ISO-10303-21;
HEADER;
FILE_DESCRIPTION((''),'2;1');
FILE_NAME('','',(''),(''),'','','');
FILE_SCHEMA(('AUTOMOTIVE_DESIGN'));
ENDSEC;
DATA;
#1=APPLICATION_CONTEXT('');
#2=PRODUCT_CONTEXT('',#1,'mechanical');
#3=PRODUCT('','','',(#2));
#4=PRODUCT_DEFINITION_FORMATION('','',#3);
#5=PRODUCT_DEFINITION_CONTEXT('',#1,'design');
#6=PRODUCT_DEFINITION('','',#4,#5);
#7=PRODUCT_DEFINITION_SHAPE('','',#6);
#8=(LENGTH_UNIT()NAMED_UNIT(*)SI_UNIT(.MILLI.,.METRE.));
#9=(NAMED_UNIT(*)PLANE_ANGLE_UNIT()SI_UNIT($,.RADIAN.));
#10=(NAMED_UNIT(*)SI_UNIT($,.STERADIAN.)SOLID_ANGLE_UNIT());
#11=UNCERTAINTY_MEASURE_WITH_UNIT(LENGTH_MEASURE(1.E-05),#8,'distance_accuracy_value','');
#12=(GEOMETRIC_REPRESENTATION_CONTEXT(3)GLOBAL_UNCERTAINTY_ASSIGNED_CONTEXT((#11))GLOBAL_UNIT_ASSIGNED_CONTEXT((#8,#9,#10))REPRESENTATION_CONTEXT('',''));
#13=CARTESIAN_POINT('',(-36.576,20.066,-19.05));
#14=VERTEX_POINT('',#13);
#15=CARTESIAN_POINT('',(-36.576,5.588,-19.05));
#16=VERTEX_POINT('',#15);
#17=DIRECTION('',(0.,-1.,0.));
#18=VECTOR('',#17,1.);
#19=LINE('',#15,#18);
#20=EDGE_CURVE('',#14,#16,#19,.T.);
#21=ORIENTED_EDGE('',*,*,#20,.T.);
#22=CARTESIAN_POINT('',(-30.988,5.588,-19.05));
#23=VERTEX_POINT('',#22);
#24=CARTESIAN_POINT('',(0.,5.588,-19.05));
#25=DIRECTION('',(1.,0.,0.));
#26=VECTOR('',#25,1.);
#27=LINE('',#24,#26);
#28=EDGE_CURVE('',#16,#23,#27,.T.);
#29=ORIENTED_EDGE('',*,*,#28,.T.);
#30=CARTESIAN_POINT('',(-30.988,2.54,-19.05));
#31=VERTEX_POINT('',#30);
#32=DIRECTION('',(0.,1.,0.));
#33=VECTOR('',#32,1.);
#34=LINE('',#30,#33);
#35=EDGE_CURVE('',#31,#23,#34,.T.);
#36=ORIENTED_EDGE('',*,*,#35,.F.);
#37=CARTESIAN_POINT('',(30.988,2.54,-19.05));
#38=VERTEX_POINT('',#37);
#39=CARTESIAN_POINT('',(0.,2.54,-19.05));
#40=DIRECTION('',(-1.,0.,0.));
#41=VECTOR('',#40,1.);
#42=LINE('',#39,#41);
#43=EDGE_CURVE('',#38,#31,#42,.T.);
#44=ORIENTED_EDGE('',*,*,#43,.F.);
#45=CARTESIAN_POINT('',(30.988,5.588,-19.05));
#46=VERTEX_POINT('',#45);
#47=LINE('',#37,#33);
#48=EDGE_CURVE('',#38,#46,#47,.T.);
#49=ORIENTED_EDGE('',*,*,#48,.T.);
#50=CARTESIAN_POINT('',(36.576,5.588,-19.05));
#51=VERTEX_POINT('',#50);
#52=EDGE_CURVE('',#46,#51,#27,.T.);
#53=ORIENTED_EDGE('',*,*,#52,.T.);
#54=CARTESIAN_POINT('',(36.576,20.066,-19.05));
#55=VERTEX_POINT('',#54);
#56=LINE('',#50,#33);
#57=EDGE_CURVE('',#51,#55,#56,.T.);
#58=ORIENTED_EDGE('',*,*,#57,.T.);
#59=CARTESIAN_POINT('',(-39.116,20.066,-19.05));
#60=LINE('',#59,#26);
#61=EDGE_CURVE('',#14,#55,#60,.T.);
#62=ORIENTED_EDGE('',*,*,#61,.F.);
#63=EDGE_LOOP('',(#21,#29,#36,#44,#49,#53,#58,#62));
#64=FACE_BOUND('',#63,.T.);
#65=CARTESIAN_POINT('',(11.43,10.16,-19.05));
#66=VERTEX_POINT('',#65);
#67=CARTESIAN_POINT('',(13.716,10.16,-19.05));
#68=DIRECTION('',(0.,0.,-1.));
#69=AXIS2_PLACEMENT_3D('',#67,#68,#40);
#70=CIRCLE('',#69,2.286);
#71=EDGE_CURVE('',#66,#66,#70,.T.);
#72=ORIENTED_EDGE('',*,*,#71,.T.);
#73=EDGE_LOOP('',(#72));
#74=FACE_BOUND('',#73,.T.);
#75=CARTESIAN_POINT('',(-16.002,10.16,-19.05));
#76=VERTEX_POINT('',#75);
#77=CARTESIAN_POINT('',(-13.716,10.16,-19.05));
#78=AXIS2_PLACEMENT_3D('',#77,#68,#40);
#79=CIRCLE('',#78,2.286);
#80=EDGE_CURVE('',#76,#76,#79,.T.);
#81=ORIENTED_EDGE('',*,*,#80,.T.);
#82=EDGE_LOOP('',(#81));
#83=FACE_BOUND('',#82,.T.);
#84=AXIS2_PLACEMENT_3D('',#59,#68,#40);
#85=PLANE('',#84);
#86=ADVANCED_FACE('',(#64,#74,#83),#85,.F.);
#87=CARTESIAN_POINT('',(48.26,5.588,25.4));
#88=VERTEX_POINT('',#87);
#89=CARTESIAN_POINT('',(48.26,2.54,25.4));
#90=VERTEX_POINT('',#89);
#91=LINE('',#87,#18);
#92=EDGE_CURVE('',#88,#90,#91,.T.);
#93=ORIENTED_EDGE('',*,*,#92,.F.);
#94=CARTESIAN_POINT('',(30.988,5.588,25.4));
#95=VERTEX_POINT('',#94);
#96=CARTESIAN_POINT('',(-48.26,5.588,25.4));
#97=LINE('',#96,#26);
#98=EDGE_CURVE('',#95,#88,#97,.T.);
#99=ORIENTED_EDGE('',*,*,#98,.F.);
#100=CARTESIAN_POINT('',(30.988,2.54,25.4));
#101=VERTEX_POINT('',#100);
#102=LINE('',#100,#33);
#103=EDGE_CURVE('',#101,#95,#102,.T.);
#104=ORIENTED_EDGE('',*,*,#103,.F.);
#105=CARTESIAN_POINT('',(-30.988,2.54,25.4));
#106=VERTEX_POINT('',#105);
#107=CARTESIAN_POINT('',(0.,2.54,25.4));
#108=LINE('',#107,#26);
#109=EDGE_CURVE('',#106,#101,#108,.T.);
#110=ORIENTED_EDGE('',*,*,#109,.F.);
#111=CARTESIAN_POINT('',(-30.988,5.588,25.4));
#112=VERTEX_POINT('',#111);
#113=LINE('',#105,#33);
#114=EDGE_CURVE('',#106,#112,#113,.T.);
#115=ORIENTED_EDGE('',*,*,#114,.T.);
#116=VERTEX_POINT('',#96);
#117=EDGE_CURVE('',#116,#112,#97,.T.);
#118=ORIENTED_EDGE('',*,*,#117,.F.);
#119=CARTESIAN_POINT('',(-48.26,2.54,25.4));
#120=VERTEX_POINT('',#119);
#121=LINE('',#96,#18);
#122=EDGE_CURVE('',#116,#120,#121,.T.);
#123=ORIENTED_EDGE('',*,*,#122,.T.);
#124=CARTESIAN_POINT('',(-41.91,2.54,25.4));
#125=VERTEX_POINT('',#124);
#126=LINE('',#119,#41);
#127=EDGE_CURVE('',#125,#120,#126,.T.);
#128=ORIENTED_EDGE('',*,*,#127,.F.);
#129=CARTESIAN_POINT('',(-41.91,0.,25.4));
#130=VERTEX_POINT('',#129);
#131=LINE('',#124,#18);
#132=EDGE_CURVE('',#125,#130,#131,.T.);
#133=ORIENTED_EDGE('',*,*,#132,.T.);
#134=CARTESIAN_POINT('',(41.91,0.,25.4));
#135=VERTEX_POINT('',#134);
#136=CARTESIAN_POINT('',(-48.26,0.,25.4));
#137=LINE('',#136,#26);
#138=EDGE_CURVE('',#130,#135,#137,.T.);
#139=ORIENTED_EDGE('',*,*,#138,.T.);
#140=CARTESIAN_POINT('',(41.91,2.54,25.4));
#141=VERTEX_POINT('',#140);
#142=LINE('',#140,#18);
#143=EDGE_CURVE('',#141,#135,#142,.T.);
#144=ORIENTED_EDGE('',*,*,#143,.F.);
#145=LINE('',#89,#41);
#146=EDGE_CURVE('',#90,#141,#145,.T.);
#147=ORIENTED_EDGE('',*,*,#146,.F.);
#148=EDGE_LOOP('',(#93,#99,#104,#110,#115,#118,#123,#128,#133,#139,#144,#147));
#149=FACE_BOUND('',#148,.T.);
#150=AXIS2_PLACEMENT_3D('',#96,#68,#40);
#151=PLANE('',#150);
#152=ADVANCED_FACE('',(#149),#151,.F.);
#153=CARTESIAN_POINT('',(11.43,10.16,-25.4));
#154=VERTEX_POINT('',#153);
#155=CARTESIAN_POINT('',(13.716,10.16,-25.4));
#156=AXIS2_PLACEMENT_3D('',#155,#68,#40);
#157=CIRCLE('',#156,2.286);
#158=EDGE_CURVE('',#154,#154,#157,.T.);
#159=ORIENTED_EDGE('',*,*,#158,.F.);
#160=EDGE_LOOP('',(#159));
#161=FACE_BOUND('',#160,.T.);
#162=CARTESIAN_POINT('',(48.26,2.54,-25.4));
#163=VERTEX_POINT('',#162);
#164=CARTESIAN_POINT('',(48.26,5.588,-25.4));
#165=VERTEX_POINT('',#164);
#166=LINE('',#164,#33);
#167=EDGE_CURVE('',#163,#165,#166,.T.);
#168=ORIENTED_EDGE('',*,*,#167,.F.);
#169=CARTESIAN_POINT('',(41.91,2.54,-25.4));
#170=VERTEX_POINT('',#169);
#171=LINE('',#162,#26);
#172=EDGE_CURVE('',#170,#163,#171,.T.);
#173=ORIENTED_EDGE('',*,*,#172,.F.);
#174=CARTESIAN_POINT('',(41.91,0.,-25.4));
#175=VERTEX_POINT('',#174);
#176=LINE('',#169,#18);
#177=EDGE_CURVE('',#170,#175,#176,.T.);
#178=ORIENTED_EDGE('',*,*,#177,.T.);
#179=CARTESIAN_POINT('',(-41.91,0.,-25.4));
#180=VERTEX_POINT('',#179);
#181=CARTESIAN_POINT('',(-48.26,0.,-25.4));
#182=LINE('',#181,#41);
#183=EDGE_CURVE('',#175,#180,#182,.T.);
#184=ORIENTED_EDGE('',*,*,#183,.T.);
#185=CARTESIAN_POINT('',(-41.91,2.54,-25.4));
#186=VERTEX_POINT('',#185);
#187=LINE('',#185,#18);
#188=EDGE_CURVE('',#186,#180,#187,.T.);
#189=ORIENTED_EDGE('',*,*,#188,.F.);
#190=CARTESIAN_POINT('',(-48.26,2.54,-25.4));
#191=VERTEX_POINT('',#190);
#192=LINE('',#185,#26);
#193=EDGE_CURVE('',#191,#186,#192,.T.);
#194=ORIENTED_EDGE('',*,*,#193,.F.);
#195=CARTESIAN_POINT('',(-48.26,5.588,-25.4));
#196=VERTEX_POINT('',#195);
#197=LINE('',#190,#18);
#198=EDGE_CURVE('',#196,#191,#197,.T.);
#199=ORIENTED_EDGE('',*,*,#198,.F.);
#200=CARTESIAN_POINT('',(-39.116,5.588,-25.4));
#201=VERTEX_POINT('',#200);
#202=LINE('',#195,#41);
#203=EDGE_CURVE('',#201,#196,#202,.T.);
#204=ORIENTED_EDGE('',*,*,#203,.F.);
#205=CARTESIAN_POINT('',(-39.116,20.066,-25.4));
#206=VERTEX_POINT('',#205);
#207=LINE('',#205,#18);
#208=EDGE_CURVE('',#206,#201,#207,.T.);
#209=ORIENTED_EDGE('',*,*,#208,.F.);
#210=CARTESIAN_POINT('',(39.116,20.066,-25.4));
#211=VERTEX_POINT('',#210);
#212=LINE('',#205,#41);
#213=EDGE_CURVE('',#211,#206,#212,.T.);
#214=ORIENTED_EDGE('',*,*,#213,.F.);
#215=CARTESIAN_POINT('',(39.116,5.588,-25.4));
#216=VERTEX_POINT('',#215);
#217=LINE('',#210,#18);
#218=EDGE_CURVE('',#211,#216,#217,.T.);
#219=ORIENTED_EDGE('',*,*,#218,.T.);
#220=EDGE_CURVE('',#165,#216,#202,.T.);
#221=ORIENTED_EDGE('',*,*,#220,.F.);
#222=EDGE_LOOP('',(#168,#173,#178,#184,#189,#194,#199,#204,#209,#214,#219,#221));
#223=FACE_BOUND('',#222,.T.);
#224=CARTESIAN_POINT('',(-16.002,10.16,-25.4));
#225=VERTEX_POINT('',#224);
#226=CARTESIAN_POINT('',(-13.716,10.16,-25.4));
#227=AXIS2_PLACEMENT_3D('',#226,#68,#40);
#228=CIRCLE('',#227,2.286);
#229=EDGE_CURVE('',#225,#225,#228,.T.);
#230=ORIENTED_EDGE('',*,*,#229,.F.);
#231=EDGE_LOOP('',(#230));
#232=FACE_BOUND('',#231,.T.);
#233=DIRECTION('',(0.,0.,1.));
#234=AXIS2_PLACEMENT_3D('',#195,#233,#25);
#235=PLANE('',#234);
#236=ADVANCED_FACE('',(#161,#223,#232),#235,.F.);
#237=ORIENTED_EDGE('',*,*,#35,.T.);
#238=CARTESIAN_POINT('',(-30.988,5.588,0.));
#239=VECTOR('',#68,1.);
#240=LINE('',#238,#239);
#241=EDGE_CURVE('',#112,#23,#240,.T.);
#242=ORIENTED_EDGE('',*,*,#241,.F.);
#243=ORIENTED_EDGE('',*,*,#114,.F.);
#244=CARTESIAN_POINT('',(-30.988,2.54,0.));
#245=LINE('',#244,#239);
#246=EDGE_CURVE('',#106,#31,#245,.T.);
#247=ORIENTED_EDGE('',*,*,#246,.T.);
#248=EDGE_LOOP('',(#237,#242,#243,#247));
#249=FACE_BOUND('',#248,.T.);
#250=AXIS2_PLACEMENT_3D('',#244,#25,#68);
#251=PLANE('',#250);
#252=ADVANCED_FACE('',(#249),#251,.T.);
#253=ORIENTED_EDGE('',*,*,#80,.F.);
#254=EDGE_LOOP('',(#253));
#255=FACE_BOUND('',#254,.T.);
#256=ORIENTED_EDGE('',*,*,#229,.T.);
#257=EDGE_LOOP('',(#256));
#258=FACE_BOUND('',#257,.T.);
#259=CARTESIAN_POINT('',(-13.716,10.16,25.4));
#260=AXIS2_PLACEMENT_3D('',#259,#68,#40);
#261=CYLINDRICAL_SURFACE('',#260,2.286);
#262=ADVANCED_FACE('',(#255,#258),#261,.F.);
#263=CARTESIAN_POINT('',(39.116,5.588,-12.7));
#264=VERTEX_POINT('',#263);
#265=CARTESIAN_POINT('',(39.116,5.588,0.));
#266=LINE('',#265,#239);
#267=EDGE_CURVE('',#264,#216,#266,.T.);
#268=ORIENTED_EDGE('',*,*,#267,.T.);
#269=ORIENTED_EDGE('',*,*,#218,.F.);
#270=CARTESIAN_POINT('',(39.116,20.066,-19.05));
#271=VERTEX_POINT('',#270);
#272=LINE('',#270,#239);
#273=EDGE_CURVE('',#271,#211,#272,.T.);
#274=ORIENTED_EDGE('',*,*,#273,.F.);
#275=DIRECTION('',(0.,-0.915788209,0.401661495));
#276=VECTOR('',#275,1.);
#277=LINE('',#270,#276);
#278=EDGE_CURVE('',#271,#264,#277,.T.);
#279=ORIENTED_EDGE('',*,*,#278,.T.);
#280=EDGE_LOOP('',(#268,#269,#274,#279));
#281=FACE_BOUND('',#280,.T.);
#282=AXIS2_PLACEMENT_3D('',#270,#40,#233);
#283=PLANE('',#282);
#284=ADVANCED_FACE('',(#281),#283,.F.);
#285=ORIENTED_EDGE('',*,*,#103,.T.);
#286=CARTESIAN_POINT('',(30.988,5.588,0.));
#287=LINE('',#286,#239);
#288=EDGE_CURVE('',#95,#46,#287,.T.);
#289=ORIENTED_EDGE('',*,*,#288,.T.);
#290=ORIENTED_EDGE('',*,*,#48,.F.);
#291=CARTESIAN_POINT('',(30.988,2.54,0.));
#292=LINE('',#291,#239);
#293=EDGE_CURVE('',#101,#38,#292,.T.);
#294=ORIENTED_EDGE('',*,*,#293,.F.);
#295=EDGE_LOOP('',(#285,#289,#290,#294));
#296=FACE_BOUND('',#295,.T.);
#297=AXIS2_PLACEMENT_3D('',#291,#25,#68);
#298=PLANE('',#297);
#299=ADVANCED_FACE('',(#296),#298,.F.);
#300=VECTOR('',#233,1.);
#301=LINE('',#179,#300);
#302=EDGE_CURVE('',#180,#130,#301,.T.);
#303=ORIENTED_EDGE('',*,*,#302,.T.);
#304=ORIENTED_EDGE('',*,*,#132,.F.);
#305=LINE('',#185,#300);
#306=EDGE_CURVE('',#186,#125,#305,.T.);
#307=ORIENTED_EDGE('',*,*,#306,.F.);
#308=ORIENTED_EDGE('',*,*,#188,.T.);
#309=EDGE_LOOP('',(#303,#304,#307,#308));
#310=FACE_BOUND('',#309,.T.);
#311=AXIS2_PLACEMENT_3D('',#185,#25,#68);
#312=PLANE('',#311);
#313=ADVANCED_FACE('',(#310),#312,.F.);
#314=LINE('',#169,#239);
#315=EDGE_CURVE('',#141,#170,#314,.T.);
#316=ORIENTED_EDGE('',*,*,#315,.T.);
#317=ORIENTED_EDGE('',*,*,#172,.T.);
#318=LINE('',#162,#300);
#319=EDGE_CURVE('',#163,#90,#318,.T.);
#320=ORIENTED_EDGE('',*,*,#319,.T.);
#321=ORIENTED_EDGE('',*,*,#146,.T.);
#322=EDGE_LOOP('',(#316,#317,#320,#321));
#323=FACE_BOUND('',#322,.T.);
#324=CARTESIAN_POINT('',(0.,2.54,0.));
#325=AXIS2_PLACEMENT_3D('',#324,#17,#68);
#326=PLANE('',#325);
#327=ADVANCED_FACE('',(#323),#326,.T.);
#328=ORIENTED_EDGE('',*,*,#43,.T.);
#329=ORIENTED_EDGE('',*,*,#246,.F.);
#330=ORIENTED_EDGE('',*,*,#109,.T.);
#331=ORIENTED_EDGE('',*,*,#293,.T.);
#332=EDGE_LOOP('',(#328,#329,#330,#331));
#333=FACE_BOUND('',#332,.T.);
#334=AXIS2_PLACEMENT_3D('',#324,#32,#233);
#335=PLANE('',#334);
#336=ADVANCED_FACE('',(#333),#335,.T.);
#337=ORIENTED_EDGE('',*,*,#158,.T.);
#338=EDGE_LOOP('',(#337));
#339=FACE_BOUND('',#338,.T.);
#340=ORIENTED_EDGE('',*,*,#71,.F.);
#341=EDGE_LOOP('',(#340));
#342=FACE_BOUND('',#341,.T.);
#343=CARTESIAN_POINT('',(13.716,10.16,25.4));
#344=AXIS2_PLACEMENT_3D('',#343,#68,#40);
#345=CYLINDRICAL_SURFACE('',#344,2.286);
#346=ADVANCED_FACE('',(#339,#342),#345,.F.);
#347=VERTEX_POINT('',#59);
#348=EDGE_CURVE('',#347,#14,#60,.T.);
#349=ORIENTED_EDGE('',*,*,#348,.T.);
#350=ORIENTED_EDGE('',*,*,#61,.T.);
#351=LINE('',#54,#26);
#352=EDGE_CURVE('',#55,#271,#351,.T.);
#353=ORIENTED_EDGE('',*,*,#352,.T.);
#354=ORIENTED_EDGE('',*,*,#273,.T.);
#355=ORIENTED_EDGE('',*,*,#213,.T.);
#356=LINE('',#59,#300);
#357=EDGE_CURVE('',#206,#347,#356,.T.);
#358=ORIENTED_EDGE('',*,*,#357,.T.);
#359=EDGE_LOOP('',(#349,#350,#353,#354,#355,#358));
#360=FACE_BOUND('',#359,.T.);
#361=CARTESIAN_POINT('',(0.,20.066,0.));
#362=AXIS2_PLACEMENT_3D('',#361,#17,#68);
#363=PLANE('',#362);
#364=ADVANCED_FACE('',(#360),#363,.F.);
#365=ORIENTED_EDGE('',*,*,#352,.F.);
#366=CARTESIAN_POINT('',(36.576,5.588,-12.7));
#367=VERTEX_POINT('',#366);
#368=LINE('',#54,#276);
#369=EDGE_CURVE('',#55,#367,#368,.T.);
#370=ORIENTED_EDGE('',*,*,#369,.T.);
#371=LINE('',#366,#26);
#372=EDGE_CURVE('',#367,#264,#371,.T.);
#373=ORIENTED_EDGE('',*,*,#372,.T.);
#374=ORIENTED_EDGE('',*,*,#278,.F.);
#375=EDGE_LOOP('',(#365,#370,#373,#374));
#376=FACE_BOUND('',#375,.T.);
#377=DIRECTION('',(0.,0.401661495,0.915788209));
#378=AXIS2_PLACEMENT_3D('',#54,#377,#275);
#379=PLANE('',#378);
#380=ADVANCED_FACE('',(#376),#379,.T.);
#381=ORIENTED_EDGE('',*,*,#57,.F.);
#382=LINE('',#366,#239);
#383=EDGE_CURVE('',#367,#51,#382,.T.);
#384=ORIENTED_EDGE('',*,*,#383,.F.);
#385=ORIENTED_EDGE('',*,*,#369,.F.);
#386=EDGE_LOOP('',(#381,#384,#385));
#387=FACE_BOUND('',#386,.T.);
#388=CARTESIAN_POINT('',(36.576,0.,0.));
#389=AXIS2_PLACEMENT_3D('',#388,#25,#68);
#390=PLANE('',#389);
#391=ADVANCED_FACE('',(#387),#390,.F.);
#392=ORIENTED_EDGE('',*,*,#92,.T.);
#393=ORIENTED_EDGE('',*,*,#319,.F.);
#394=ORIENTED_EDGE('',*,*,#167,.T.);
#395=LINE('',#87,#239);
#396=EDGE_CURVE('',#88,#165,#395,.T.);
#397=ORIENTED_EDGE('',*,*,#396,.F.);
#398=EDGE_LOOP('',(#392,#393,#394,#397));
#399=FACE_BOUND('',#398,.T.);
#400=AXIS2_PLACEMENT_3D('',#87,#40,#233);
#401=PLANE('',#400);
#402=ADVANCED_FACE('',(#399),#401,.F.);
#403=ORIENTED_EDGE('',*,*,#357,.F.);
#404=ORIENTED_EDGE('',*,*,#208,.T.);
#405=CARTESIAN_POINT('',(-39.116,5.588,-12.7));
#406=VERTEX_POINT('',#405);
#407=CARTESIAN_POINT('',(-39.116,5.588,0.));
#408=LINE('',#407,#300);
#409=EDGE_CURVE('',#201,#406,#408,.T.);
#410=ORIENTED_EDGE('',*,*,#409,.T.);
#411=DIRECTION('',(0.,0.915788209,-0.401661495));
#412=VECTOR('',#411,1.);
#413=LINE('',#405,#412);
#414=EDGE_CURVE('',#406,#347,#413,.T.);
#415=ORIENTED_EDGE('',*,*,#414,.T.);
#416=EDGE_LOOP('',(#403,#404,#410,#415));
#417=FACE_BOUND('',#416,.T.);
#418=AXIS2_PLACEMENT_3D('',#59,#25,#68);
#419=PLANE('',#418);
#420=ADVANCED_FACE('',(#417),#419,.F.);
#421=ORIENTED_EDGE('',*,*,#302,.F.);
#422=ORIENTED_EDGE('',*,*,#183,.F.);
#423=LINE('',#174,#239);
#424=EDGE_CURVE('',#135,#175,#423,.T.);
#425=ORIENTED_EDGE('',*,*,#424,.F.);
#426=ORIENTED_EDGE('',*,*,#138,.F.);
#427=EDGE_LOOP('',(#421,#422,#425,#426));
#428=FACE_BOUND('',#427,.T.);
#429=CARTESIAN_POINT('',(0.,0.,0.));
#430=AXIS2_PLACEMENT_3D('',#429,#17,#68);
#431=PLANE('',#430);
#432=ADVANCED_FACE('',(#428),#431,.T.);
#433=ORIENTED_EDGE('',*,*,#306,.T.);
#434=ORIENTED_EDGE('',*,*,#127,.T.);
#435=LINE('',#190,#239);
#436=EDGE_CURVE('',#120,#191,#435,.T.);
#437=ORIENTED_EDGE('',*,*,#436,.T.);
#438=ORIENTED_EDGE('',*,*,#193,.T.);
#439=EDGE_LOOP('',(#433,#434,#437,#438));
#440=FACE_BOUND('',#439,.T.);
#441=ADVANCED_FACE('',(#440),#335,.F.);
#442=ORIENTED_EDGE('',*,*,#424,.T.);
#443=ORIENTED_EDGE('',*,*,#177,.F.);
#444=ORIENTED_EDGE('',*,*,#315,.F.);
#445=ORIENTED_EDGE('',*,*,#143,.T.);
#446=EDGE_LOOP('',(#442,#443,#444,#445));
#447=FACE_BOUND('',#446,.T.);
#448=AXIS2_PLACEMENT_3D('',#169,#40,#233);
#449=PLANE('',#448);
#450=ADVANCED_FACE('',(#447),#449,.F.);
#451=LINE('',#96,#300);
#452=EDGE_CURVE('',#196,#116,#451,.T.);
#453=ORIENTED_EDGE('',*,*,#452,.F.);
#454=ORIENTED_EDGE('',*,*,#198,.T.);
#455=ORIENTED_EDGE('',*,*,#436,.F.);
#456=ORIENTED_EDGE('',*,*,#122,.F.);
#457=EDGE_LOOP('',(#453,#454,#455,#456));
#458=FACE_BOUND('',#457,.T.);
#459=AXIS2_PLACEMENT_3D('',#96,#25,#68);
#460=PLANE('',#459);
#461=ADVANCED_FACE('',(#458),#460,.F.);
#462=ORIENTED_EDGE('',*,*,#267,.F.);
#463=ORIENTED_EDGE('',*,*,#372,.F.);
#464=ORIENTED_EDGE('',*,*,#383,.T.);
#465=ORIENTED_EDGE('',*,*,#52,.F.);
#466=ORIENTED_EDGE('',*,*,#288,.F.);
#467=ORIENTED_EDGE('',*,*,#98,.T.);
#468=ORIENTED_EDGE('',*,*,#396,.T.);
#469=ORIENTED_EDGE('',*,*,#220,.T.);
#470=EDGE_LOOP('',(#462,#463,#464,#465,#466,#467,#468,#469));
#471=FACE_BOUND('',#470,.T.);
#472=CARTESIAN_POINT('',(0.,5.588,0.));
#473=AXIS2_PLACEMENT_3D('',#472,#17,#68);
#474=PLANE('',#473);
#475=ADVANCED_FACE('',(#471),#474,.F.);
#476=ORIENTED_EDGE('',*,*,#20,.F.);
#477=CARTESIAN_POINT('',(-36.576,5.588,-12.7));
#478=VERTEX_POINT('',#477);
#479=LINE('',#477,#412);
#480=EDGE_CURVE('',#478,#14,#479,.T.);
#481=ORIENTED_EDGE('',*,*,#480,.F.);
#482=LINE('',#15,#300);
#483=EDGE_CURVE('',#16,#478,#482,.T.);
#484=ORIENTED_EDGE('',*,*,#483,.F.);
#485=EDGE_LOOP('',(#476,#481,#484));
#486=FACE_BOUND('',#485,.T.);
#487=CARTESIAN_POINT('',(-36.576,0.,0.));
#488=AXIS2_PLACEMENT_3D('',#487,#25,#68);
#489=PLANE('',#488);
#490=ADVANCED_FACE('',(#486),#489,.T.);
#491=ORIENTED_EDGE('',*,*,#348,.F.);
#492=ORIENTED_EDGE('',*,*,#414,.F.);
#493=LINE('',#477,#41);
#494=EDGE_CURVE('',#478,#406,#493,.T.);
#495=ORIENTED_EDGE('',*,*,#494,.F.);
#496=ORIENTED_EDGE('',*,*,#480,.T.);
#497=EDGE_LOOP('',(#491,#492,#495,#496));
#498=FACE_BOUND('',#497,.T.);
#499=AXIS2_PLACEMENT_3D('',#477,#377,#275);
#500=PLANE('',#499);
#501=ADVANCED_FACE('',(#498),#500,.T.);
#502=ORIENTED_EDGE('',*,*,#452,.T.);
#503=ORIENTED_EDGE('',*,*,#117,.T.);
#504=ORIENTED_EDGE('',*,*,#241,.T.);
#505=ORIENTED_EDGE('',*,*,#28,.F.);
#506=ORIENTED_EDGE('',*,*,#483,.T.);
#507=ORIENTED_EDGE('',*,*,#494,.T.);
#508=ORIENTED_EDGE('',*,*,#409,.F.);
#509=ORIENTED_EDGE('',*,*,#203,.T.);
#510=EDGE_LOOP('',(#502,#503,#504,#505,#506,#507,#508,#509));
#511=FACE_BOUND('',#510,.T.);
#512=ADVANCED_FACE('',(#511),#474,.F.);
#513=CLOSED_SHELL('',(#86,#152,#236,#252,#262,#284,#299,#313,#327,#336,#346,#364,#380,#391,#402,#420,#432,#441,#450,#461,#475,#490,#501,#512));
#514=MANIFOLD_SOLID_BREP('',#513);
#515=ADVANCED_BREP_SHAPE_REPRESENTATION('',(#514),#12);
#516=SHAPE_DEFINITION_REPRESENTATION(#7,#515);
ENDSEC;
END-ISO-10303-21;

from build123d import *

# Parameters (mm, degrees)
SKETCH1_W           = 96.52
SKETCH1_H           = 50.8
BOSS_EXTRUDE1_DEPTH = 5.588
SKETCH2_W           = 61.976
SKETCH2_H           = 50.8
CUT_EXTRUDE2_DEPTH  = 3.048
SKETCH3_W           = 6.35
SKETCH3_H           = 50.8
CUT_EXTRUDE3_DEPTH  = 2.54
SKETCH4_W           = 78.232
SKETCH4_H           = 6.35
BOSS_EXTRUDE2_DEPTH = 17.526
SKETCH5_R           = 2.286
CUT_EXTRUDE4_DEPTH  = 51.8
BOSS_EXTRUDE3_DEPTH = 2.54
BOSS_EXTRUDE4_DEPTH = 2.54
SKETCH8_W           = 6.35
SKETCH8_H           = 8.89
CUT_EXTRUDE5_DEPTH  = 6.588
SKETCH9_W           = 6.35
SKETCH9_H           = 3.048
BOSS_EXTRUDE5_DEPTH = 8.89


with BuildPart() as part:
    # Sketch1 → Boss-Extrude1 (new body)
    with BuildSketch(Plane(origin=(0, 0, 0), x_dir=(1, 0, 0), z_dir=(0, 1, 0))):
        Rectangle(SKETCH1_W, SKETCH1_H)
    extrude(amount=BOSS_EXTRUDE1_DEPTH)

    # Sketch2 → Cut-Extrude2 (cut)
    with BuildSketch(Plane(origin=(0, 5.588, 0), x_dir=(1, 0, 0), z_dir=(0, 1, 0))):
        Rectangle(SKETCH2_W, SKETCH2_H)
    extrude(amount=-CUT_EXTRUDE2_DEPTH, mode=Mode.SUBTRACT)

    # Sketch3 → Cut-Extrude3 (cut)
    with BuildSketch(Plane(origin=(0, 0, 0), x_dir=(-1, 0, 0), z_dir=(0, -1, 0))):
        with Locations((-45.085, 0)):
            Rectangle(SKETCH3_W, SKETCH3_H)
        with Locations((45.085, 0)):
            Rectangle(SKETCH3_W, SKETCH3_H)
    extrude(amount=-CUT_EXTRUDE3_DEPTH, mode=Mode.SUBTRACT)

    # Sketch4 → Boss-Extrude2 (add)
    with BuildSketch(Plane(origin=(0, 2.54, 0), x_dir=(1, 0, 0), z_dir=(0, 1, 0))):
        with Locations((0, 22.225)):
            Rectangle(SKETCH4_W, SKETCH4_H)
    extrude(amount=BOSS_EXTRUDE2_DEPTH)

    # Sketch5 → Cut-Extrude4 (cut, through all)
    with BuildSketch(Plane(origin=(0, 0, -25.4), x_dir=(-1, 0, 0), z_dir=(0, 0, -1))):
        with Locations((13.716, 10.16)):
            Circle(SKETCH5_R)
        with Locations((-13.716, 10.16)):
            Circle(SKETCH5_R)
    extrude(amount=-CUT_EXTRUDE4_DEPTH, mode=Mode.SUBTRACT)

    # Sketch6 → Boss-Extrude3 (add)
    with BuildSketch(Plane.ZY.offset(39.116)):
        Polygon((-19.05, 5.588), (-12.7, 5.588), (-19.05, 20.066), align=None)
    extrude(amount=-BOSS_EXTRUDE3_DEPTH)

    # Sketch7 → Boss-Extrude4 (add)
    with BuildSketch(Plane(origin=(39.116, 0, 0), x_dir=(0, 0, -1), z_dir=(1, 0, 0))):
        Polygon((19.05, 5.588), (19.05, 20.066), (12.7, 5.588), align=None)
    extrude(amount=-BOSS_EXTRUDE4_DEPTH)

    # Sketch8 → Cut-Extrude5 (cut, through all)
    with BuildSketch(Plane(origin=(0, 5.588, 0), x_dir=(1, 0, 0), z_dir=(0, 1, 0))):
        with Locations((45.085, 20.955)):
            Rectangle(SKETCH8_W, SKETCH8_H)
        with Locations((-45.085, 20.955)):
            Rectangle(SKETCH8_W, SKETCH8_H)
    extrude(amount=-CUT_EXTRUDE5_DEPTH, mode=Mode.SUBTRACT)

    # Sketch9 → Boss-Extrude5 (add)
    with BuildSketch(Plane(origin=(0, 0, -16.51), x_dir=(-1, 0, 0), z_dir=(0, 0, -1))):
        with Locations((-45.085, 4.064)):
            Rectangle(SKETCH9_W, SKETCH9_H)
        with Locations((45.085, 4.064)):
            Rectangle(SKETCH9_W, SKETCH9_H)
    extrude(amount=BOSS_EXTRUDE5_DEPTH)


solid = part.part
